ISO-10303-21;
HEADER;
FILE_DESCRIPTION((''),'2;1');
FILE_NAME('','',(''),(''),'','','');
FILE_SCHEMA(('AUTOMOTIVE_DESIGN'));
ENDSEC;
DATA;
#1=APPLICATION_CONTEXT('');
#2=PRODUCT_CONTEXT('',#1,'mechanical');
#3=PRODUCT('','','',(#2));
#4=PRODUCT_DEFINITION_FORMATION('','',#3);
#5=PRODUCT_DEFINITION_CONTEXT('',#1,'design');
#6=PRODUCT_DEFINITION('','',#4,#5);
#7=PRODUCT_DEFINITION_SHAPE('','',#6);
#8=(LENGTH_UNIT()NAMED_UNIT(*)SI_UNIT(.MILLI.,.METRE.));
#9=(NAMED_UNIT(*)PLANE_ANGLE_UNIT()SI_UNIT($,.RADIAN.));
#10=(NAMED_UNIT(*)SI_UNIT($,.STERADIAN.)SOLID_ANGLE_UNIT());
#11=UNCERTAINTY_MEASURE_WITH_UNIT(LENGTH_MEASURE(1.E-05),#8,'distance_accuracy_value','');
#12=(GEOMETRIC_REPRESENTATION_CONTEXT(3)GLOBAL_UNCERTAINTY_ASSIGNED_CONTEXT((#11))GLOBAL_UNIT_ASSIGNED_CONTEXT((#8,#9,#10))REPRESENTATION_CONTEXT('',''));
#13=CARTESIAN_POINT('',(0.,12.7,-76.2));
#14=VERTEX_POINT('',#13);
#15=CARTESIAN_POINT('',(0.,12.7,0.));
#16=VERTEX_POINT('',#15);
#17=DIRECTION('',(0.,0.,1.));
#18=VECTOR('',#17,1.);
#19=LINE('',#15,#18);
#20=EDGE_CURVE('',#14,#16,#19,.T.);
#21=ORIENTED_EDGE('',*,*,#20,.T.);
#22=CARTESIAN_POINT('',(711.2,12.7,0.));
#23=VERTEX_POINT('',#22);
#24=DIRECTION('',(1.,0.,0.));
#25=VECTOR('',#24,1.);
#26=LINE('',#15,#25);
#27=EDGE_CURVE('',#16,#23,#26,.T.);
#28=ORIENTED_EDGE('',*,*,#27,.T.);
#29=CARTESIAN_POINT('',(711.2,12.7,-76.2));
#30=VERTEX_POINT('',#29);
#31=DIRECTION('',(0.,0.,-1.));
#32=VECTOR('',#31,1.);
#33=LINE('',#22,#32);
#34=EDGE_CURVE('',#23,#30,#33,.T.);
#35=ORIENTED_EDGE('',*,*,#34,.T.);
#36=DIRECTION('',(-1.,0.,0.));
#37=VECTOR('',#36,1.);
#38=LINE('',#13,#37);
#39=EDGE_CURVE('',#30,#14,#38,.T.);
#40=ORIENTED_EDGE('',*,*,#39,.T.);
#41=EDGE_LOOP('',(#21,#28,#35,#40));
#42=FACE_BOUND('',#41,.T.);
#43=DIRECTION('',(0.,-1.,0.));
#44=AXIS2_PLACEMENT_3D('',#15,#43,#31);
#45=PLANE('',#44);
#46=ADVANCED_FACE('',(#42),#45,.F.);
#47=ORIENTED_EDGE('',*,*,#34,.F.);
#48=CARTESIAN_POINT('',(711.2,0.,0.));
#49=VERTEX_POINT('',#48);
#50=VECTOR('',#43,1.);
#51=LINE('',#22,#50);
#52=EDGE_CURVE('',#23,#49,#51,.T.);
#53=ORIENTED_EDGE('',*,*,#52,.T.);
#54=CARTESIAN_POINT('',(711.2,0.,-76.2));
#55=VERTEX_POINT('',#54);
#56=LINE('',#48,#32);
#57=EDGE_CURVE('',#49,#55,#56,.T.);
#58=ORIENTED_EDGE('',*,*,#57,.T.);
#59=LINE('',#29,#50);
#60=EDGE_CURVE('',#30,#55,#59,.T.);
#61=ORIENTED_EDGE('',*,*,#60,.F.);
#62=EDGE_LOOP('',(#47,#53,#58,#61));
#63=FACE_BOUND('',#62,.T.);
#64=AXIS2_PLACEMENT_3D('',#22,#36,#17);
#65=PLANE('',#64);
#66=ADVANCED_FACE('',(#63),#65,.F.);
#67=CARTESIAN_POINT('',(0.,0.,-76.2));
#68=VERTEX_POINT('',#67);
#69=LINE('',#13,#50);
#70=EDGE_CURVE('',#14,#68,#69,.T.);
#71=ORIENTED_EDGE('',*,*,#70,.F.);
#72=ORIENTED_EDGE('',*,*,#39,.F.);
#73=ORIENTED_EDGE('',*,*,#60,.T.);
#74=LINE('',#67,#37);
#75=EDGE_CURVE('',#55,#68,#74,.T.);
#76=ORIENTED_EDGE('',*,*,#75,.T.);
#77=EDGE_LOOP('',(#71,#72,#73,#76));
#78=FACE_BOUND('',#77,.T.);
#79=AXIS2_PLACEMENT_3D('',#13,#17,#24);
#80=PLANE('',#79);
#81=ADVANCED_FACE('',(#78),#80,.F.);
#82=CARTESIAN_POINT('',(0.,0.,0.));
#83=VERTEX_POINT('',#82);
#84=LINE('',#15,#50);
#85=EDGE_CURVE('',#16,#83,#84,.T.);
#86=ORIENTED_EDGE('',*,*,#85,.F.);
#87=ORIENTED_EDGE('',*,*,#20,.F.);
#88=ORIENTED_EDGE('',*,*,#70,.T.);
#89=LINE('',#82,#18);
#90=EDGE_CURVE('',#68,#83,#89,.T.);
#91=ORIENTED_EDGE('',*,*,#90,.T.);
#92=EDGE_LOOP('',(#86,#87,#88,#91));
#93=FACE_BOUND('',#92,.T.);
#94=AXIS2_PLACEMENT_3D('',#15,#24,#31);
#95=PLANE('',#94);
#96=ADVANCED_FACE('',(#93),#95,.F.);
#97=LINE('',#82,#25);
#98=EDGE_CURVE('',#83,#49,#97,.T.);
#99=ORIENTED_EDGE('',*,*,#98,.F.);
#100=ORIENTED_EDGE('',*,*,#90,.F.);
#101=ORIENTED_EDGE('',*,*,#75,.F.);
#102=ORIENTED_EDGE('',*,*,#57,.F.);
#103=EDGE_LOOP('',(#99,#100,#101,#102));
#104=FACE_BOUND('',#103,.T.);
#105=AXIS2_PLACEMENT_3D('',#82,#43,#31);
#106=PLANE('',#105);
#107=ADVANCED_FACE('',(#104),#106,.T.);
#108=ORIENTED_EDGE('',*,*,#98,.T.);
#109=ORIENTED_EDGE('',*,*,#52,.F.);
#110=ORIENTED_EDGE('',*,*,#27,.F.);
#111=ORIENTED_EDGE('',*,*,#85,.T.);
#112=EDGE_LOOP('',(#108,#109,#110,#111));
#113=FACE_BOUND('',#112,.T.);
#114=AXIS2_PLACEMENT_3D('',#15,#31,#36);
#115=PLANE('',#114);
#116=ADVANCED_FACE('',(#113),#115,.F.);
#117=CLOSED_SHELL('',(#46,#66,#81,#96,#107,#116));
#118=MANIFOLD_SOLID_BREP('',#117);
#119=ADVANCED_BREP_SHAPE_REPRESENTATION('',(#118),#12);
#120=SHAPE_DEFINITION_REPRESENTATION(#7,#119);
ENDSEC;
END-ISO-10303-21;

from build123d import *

# Parameters (mm, degrees)
SKETCH1_W           = 711.2
SKETCH1_H           = 76.2
BOSS_EXTRUDE1_DEPTH = 12.7


with BuildPart() as part:
    # Sketch1 → Boss-Extrude1 (new body)
    with BuildSketch(Plane(origin=(0, 0, 0), x_dir=(1, 0, 0), z_dir=(0, 1, 0))):
        with Locations((355.6, 38.1)):
            Rectangle(SKETCH1_W, SKETCH1_H)
    extrude(amount=BOSS_EXTRUDE1_DEPTH)


solid = part.part
